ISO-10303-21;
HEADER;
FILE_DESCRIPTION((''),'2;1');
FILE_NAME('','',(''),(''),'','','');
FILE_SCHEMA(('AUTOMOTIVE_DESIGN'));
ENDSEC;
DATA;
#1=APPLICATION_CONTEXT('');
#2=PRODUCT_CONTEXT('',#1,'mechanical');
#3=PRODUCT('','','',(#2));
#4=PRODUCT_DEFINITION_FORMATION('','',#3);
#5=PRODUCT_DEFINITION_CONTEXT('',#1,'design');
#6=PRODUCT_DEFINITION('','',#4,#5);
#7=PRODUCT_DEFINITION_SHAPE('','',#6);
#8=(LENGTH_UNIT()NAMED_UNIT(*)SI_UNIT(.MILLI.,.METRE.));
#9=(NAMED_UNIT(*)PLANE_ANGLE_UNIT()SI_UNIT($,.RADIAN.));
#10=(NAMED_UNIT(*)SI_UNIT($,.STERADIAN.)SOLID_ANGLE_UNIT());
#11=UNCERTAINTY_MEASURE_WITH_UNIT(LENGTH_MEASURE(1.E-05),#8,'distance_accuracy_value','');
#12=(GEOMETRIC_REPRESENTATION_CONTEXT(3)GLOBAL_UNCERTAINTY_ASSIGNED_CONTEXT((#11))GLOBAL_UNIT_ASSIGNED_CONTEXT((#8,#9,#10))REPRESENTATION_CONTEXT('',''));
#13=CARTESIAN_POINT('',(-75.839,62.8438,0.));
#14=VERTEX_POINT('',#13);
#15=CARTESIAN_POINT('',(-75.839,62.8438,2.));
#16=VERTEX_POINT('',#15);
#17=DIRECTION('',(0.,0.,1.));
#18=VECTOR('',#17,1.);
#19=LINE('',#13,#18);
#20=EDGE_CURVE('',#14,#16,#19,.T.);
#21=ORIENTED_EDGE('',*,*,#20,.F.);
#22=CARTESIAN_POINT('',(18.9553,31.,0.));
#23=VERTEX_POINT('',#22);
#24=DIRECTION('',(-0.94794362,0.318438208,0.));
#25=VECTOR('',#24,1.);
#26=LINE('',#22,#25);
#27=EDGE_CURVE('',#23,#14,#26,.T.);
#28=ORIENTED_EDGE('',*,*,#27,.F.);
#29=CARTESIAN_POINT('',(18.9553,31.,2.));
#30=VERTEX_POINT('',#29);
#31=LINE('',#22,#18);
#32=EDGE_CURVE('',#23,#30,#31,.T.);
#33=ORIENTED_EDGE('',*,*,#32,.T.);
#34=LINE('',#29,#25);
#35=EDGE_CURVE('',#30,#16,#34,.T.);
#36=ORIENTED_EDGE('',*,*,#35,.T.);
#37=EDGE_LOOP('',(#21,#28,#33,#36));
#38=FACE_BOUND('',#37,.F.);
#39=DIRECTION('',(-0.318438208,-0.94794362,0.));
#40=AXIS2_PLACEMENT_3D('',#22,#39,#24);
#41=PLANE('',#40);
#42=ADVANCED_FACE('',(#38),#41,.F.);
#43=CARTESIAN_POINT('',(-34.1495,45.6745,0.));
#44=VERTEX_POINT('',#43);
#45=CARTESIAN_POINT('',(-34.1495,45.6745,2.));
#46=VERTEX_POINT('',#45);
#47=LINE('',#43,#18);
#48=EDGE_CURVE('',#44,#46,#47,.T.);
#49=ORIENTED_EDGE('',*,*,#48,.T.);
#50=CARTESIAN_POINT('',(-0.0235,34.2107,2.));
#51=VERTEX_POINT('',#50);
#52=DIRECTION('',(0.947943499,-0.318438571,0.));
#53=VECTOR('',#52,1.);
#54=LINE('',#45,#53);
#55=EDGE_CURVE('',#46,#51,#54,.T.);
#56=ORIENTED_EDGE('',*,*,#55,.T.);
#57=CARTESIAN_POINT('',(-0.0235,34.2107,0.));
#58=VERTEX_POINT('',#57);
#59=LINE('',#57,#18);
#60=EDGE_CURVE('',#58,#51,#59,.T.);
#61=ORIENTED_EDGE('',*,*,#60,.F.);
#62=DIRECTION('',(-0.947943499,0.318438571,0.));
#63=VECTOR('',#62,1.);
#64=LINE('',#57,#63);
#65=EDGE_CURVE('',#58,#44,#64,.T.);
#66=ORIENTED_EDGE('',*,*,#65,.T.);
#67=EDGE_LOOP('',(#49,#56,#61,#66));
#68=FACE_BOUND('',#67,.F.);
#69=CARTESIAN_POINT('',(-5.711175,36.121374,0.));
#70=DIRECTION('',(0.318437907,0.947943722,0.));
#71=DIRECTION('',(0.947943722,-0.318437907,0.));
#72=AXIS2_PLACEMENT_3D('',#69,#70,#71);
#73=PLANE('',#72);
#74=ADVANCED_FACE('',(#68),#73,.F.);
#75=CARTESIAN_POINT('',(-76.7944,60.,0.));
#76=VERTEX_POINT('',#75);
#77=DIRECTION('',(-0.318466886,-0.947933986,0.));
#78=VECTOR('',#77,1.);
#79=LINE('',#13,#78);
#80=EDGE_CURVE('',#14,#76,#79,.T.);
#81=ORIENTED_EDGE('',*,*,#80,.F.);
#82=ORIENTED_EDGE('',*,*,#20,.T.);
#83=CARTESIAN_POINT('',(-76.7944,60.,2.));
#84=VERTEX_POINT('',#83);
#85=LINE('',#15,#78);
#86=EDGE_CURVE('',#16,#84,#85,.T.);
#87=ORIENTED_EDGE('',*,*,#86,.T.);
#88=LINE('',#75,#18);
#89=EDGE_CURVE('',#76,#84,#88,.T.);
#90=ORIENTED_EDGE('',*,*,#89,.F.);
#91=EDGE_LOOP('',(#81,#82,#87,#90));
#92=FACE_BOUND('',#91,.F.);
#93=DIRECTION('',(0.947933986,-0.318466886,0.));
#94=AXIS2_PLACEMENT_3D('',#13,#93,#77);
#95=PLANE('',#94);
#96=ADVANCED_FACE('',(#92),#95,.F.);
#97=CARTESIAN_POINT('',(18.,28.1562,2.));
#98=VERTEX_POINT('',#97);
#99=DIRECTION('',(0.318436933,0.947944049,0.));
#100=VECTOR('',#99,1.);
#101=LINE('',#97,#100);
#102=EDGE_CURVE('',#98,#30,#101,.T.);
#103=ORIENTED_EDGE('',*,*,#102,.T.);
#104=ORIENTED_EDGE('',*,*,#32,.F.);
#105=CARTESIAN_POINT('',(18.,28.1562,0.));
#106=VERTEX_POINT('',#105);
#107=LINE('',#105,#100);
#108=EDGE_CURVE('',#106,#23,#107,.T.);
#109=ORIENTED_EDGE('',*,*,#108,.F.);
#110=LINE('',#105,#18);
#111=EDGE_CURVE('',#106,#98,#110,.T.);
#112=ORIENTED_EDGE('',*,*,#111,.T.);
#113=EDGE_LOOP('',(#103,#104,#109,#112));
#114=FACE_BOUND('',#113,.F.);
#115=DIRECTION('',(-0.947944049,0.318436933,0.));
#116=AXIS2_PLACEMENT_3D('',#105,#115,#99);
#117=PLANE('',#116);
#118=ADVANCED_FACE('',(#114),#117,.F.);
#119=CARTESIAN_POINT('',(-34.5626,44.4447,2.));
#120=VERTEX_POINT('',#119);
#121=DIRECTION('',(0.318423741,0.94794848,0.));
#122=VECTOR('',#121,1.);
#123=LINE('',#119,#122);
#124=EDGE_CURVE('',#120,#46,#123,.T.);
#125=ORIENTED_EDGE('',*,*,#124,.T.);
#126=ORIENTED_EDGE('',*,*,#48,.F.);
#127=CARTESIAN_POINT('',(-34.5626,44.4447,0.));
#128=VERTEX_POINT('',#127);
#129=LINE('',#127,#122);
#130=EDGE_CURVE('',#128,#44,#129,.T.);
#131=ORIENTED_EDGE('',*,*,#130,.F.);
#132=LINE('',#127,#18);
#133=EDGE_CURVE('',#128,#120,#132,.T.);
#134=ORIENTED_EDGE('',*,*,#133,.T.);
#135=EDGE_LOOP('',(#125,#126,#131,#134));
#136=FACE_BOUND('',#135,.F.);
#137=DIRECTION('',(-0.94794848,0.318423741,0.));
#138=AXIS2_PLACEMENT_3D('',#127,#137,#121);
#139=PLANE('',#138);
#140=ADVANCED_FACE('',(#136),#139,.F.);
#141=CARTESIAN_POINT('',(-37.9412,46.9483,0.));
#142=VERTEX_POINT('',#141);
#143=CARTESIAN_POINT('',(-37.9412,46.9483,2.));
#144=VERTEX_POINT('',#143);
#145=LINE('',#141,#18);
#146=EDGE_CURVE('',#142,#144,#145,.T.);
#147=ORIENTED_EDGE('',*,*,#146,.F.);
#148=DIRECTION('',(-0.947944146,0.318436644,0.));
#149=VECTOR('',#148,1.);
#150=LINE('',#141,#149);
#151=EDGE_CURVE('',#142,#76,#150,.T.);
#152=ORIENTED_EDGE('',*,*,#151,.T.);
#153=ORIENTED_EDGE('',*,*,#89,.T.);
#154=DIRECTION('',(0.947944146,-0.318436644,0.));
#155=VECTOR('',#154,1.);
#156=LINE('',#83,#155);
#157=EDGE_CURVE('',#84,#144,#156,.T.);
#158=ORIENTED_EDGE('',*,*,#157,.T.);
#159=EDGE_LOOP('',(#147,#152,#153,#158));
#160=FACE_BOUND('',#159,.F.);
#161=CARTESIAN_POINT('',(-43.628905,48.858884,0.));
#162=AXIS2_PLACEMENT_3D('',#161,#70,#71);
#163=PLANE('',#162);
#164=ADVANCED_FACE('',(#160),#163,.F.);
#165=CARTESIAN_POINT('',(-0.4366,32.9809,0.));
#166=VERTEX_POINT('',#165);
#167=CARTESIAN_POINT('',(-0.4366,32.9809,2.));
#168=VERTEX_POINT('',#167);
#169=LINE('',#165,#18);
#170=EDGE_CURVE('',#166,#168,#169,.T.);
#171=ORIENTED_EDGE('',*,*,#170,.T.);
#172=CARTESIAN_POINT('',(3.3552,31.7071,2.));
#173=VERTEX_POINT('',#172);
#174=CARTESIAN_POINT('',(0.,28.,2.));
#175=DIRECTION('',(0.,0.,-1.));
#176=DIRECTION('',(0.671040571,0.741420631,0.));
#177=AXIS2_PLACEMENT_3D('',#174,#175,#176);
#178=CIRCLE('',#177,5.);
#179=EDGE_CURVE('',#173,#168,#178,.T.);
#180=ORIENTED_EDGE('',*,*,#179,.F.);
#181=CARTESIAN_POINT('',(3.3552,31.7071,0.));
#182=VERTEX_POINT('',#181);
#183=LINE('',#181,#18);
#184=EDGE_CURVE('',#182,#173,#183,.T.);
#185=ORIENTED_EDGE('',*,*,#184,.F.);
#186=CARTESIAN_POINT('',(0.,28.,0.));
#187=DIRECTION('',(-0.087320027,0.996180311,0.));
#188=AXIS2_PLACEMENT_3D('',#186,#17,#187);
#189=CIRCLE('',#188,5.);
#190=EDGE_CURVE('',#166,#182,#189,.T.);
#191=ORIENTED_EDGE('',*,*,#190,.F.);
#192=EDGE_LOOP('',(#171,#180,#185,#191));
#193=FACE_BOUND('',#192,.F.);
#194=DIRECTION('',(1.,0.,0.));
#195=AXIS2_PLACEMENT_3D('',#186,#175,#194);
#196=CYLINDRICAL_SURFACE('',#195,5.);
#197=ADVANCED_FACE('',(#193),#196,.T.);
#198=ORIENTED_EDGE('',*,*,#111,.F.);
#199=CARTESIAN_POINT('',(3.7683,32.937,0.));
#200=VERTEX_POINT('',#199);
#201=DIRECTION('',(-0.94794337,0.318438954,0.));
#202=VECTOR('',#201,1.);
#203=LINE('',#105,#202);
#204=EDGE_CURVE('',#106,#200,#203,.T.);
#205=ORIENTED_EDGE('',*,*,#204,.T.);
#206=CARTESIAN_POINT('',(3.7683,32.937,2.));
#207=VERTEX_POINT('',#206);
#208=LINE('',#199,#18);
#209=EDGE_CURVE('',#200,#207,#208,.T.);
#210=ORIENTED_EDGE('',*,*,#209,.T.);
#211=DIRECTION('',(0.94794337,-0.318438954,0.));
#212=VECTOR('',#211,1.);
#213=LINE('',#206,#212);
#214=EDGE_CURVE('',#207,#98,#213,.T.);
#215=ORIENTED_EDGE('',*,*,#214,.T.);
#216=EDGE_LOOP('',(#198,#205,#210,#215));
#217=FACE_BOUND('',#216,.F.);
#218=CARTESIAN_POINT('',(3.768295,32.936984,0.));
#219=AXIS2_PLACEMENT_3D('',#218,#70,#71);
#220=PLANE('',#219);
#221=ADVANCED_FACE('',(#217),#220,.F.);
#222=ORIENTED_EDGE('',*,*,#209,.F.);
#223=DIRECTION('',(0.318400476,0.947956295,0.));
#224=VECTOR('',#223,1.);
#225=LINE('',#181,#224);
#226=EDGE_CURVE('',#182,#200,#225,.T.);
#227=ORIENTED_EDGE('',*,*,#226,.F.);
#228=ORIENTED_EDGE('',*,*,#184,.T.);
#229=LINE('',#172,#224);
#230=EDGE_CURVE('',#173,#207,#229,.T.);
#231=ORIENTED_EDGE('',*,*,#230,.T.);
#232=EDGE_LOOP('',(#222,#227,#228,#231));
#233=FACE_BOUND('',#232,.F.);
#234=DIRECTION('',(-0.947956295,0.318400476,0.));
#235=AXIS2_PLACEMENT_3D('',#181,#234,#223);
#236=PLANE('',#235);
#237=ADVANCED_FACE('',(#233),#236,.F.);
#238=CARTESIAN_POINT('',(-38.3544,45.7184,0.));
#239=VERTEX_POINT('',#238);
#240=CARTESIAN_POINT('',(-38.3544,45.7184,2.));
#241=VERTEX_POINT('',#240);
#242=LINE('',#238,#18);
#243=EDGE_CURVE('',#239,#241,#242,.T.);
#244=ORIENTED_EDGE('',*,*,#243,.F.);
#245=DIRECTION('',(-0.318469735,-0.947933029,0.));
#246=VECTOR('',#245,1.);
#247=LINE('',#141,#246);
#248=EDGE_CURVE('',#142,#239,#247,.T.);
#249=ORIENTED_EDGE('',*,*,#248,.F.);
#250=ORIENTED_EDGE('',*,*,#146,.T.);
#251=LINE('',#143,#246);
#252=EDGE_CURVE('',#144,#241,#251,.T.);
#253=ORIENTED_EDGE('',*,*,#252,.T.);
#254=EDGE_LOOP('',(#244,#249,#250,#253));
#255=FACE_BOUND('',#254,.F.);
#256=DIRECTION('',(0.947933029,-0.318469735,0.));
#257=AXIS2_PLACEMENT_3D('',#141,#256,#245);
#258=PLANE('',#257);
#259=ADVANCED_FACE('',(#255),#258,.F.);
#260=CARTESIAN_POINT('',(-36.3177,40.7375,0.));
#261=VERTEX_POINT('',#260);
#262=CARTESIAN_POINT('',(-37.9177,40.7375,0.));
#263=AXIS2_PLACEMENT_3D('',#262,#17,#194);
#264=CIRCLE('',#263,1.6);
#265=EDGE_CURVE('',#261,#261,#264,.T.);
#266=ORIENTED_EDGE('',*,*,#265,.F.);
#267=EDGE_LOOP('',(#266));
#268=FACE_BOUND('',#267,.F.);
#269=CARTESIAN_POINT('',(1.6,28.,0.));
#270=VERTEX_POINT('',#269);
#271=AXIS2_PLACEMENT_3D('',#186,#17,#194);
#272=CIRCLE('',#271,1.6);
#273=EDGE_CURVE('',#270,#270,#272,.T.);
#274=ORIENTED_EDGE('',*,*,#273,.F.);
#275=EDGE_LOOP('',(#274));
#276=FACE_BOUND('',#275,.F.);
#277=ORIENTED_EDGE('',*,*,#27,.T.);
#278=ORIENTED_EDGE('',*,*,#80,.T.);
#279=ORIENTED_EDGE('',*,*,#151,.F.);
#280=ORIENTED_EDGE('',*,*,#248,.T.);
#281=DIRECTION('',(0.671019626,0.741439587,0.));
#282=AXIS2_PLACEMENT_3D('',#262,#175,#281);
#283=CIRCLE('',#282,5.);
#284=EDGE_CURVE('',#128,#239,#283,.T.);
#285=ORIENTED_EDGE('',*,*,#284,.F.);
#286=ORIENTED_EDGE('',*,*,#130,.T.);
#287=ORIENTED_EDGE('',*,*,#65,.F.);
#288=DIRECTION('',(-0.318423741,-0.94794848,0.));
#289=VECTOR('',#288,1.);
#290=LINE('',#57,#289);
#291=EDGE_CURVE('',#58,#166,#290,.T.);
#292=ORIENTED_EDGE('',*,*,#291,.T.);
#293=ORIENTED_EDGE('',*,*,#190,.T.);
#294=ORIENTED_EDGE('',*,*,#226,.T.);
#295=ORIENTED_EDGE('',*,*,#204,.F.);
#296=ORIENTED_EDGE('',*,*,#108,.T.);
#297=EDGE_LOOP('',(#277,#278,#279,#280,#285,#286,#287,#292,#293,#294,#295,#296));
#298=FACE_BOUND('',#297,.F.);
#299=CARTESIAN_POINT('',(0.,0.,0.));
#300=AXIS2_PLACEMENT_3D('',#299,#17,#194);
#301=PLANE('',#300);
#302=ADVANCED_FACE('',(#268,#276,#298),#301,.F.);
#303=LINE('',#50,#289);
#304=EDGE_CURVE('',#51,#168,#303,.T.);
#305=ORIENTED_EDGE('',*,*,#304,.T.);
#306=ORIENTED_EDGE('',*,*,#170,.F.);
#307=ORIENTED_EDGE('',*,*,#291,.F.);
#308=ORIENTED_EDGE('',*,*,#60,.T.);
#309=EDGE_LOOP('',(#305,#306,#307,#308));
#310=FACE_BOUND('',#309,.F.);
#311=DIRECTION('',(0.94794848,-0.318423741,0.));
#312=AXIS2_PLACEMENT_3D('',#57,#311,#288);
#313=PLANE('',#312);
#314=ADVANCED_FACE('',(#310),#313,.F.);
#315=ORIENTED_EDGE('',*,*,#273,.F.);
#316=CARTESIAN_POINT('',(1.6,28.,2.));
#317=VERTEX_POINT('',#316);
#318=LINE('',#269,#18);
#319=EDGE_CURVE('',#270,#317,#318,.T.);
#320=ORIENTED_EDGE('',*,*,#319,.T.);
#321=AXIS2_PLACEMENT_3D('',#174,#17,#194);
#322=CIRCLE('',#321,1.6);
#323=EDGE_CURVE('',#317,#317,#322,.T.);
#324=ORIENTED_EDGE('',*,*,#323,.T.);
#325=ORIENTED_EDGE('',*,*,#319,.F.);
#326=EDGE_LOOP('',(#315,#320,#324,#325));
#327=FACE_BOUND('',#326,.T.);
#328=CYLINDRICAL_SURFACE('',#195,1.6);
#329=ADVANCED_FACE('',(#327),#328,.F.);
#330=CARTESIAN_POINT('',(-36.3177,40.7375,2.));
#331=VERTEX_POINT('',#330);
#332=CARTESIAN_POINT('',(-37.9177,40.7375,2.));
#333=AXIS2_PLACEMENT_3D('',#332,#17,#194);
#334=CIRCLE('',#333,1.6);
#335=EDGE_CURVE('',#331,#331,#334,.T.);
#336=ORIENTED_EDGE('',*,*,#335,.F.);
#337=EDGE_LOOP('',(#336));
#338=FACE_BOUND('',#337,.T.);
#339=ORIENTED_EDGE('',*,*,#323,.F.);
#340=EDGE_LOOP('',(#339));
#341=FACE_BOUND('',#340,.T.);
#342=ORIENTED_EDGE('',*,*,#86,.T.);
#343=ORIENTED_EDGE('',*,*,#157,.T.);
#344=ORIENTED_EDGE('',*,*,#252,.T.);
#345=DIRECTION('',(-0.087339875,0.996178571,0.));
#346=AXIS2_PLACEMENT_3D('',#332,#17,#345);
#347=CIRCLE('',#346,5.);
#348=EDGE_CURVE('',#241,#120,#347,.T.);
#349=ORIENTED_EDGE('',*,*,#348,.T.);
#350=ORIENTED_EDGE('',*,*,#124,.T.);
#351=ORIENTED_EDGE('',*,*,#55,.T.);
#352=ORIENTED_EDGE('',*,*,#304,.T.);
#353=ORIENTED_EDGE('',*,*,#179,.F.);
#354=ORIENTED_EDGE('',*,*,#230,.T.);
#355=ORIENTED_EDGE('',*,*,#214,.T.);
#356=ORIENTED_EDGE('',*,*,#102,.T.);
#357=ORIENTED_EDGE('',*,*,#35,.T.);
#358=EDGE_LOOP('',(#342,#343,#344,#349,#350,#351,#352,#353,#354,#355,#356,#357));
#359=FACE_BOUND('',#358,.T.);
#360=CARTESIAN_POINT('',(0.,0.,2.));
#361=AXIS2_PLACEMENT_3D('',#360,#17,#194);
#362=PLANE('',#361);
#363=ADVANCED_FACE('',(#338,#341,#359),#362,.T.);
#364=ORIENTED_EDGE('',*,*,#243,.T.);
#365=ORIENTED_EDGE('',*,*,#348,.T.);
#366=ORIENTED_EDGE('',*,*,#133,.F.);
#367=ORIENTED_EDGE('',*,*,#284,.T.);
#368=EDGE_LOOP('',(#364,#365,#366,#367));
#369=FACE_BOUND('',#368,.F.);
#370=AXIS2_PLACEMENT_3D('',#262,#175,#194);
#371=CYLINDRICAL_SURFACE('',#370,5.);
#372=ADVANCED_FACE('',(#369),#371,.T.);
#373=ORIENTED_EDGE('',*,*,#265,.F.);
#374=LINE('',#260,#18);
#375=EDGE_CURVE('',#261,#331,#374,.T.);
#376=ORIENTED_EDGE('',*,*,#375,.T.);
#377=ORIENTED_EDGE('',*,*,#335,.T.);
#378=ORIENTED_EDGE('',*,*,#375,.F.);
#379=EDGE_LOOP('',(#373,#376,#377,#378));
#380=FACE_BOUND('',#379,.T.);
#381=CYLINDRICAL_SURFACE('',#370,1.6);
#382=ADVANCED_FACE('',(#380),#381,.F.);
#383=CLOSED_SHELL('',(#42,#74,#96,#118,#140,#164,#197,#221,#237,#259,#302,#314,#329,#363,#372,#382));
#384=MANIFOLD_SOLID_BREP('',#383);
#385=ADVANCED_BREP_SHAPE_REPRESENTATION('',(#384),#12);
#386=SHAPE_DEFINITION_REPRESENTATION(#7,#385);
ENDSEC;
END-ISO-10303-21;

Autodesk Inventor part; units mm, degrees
ref_plane "YZ Plane" through (0, 0, 0) normal (1, 0, 0) x (0, 1, 0)
ref_plane "XZ Plane" through (0, 0, 0) normal (0, 1, 0) x (-1, 0, 0)
ref_plane "XY Plane" through (0, 0, 0) normal (0, 0, 1) x (1, 0, 0)
ref_plane "Work Plane1" through (0, 0, 0) normal (0, 0, 1) x (1, 0, 0)
sketch "Sketch1" plane through (0, 0, 0) normal (0, 0, 1) x (1, 0, 0)
  circle A0 centre (0, 28) radius 1.6 projected
  arc A1 (3.5119, -2.971) -> (3.88, 2.471) centre (0, 0) ccw projected
  arc A2 (4.2226, 26.7696) -> (3.88, 2.471) centre (48.0455, 14) ccw projected
  arc A3 (4.2226, 26.7696) -> (-4.2226, 26.7696) centre (0, 28) ccw projected
  arc A4 (-3.88, 2.471) -> (-4.2226, 26.7696) centre (-48.0455, 14) ccw projected
  arc A5 (-3.88, 2.471) -> (-3.5119, -2.971) centre (0, 0) ccw projected
  arc A6 (-3.9828, -12.5413) -> (-3.5119, -2.971) centre (-19.1125, -7) ccw projected
  arc A7 (-3.9828, -12.5413) -> (3.9828, -12.5413) centre (0, -14) ccw projected
  arc A8 (3.5119, -2.971) -> (3.9828, -12.5413) centre (19.1125, -7) ccw projected
  circle A9 centre (0, 0) radius 1.6 projected
  circle A10 centre (0, 21) radius 1.6 projected
  circle A11 centre (0, 28) radius 1.6 projected
  circle A12 centre (0, 14) radius 1.6 projected
  circle A13 centre (0, 7) radius 1.6 projected
  circle A14 centre (0, -7) radius 1.6 projected
  circle A15 centre (0, -14) radius 1.6 projected
  circle A16 centre (0, 28) radius 5
  line L0 (18, 28.1562) -> (18.9553, 31)
  line L1 (18.9553, 31) -> (-75.839, 62.8438)
  line L2 (-75.839, 62.8438) -> (-76.7944, 60)
  line L3 (-76.7944, 60) -> (18, 28.1562)
  line L4 (3.7683, 32.937) -> (-0.0235, 34.2107)
  line L5 (-0.0235, 34.2107) -> (-0.4366, 32.9809)
  line L6 (-0.4366, 32.9809) -> (3.3552, 31.7071)
  line L7 (3.3552, 31.7071) -> (3.7683, 32.937)
  line L8 (9.4559, 31.0263) -> (9.0428, 29.7965)
  circle A17 centre (9.4794, 24.8156) radius 5
  line L9 (9.0428, 29.7965) -> (12.8346, 28.5228)
  line L10 (12.8346, 28.5228) -> (13.2477, 29.7526)
  line L11 (-9.5029, 37.3951) -> (-9.9161, 36.1653)
  circle A18 centre (-9.4794, 31.1844) radius 5
  line L12 (-9.9161, 36.1653) -> (-6.1243, 34.8915)
  line L13 (-6.1243, 34.8915) -> (-5.7112, 36.1213)
  line L14 (-0.0235, 34.2107) -> (-0.4366, 32.9809)
  circle A19 centre (0, 28) radius 5
  line L15 (-0.4366, 32.9809) -> (3.3552, 31.7071)
  line L16 (3.3552, 31.7071) -> (3.7683, 32.937)
  line L17 (-18.9824, 40.5795) -> (-19.3955, 39.3497)
  circle A20 centre (-18.9589, 34.3688) radius 5
  line L18 (-19.3955, 39.3497) -> (-15.6037, 38.0759)
  line L19 (-15.6037, 38.0759) -> (-15.1906, 39.3057)
  line L20 (-9.5029, 37.3951) -> (-9.9161, 36.1653)
  circle A21 centre (-9.4794, 31.1844) radius 5
  line L21 (-9.9161, 36.1653) -> (-6.1243, 34.8915)
  line L22 (-6.1243, 34.8915) -> (-5.7112, 36.1213)
  line L23 (-28.4618, 43.7639) -> (-28.8749, 42.534)
  circle A22 centre (-28.4383, 37.5531) radius 5
  line L24 (-28.8749, 42.534) -> (-25.0832, 41.2603)
  line L25 (-25.0832, 41.2603) -> (-24.67, 42.4901)
  line L26 (-18.9824, 40.5795) -> (-19.3955, 39.3497)
  circle A23 centre (-18.9589, 34.3688) radius 5
  line L27 (-19.3955, 39.3497) -> (-15.6037, 38.0759)
  line L28 (-15.6037, 38.0759) -> (-15.1906, 39.3057)
  line L29 (-37.9412, 46.9483) -> (-38.3544, 45.7184)
  circle A24 centre (-37.9177, 40.7375) radius 5
  line L30 (-38.3544, 45.7184) -> (-34.5626, 44.4447)
  line L31 (-34.5626, 44.4447) -> (-34.1495, 45.6745)
  line L32 (-28.4618, 43.7639) -> (-28.8749, 42.534)
  circle A25 centre (-28.4383, 37.5531) radius 5
  line L33 (-28.8749, 42.534) -> (-25.0832, 41.2603)
  line L34 (-25.0832, 41.2603) -> (-24.67, 42.4901)
  line L35 (-47.4207, 50.1326) -> (-47.8338, 48.9028)
  circle A26 centre (-47.3972, 43.9219) radius 5
  line L36 (-47.8338, 48.9028) -> (-44.042, 47.6291)
  line L37 (-44.042, 47.6291) -> (-43.6289, 48.8589)
  line L38 (-37.9412, 46.9483) -> (-38.3544, 45.7184)
  circle A27 centre (-37.9177, 40.7375) radius 5
  line L39 (-38.3544, 45.7184) -> (-34.5626, 44.4447)
  line L40 (-34.5626, 44.4447) -> (-34.1495, 45.6745)
  line L41 (-56.9001, 53.317) -> (-57.3132, 52.0872)
  circle A28 centre (-56.8766, 47.1063) radius 5
  line L42 (-57.3132, 52.0872) -> (-53.5215, 50.8134)
  line L43 (-53.5215, 50.8134) -> (-53.1083, 52.0433)
  line L44 (-47.4207, 50.1326) -> (-47.8338, 48.9028)
  circle A29 centre (-47.3972, 43.9219) radius 5
  line L45 (-47.8338, 48.9028) -> (-44.042, 47.6291)
  line L46 (-44.042, 47.6291) -> (-43.6289, 48.8589)
  line L47 (-66.3795, 56.5014) -> (-66.7927, 55.2716)
  circle A30 centre (-66.3561, 50.2907) radius 5
  line L48 (-66.7927, 55.2716) -> (-63.0009, 53.9978)
  line L49 (-63.0009, 53.9978) -> (-62.5878, 55.2276)
  line L50 (-56.9001, 53.317) -> (-57.3132, 52.0872)
  circle A31 centre (-56.8766, 47.1063) radius 5
  line L51 (-57.3132, 52.0872) -> (-53.5215, 50.8134)
  line L52 (-53.5215, 50.8134) -> (-53.1083, 52.0433)
  line L53 (-75.859, 59.6858) -> (-76.2721, 58.456)
  circle A32 centre (-75.8355, 53.4751) radius 5
  line L54 (-76.2721, 58.456) -> (-72.4803, 57.1822)
  line L55 (-72.4803, 57.1822) -> (-72.0672, 58.412)
  line L56 (-66.3795, 56.5014) -> (-66.7927, 55.2716)
  circle A33 centre (-66.3561, 50.2907) radius 5
  line L57 (-66.7927, 55.2716) -> (-63.0009, 53.9978)
  line L58 (-63.0009, 53.9978) -> (-62.5878, 55.2276)
  circle A34 centre (0, 28) radius 1.6
  circle A35 centre (-9.4794, 31.1844) radius 1.6
  circle A36 centre (-18.9589, 34.3688) radius 1.6
  circle A37 centre (-28.4383, 37.5531) radius 1.6
  circle A38 centre (-37.9177, 40.7375) radius 1.6
  circle A39 centre (-47.3972, 43.9219) radius 1.6
  circle A40 centre (-56.8766, 47.1063) radius 1.6
  circle A41 centre (-66.3561, 50.2907) radius 1.6
  circle A42 centre (-75.8355, 53.4751) radius 1.6
  circle A43 centre (9.4794, 24.8156) radius 1.6
  circle A44 centre (0, 28) radius 1.6
  circle A45 centre (-9.4794, 31.1844) radius 1.6
  circle A46 centre (-18.9589, 34.3688) radius 1.6
  circle A47 centre (-28.4383, 37.5531) radius 1.6
  circle A48 centre (-37.9177, 40.7375) radius 1.6
  circle A49 centre (-47.3972, 43.9219) radius 1.6
  circle A50 centre (-56.8766, 47.1063) radius 1.6
  circle A51 centre (-66.3561, 50.2907) radius 1.6
  dimension "d0" = 10
  dimension "d1" = 18
  dimension "d2" = 3
  dimension "d3" = 3
  dimension "d4" = 100
  dimension "d5" = 32
  dimension "d6" = 4
  dimension "d11" = 10
  dimension "d14" = 10
  dimension "d19" = 10
  dimension "d22" = 10
extrude "Extrusion1" add sketch "Sketch1" along normal blind 2 contours A16 A4 A3 A2 | A2 A3 A4 A16 L6 | L5 L3 L7 A16 | A16 L6 | L3 L2 L1 L0 | A24 L30 | L29 L3 L31 A24 | A24 L30
properties part number "leaf-lid"
